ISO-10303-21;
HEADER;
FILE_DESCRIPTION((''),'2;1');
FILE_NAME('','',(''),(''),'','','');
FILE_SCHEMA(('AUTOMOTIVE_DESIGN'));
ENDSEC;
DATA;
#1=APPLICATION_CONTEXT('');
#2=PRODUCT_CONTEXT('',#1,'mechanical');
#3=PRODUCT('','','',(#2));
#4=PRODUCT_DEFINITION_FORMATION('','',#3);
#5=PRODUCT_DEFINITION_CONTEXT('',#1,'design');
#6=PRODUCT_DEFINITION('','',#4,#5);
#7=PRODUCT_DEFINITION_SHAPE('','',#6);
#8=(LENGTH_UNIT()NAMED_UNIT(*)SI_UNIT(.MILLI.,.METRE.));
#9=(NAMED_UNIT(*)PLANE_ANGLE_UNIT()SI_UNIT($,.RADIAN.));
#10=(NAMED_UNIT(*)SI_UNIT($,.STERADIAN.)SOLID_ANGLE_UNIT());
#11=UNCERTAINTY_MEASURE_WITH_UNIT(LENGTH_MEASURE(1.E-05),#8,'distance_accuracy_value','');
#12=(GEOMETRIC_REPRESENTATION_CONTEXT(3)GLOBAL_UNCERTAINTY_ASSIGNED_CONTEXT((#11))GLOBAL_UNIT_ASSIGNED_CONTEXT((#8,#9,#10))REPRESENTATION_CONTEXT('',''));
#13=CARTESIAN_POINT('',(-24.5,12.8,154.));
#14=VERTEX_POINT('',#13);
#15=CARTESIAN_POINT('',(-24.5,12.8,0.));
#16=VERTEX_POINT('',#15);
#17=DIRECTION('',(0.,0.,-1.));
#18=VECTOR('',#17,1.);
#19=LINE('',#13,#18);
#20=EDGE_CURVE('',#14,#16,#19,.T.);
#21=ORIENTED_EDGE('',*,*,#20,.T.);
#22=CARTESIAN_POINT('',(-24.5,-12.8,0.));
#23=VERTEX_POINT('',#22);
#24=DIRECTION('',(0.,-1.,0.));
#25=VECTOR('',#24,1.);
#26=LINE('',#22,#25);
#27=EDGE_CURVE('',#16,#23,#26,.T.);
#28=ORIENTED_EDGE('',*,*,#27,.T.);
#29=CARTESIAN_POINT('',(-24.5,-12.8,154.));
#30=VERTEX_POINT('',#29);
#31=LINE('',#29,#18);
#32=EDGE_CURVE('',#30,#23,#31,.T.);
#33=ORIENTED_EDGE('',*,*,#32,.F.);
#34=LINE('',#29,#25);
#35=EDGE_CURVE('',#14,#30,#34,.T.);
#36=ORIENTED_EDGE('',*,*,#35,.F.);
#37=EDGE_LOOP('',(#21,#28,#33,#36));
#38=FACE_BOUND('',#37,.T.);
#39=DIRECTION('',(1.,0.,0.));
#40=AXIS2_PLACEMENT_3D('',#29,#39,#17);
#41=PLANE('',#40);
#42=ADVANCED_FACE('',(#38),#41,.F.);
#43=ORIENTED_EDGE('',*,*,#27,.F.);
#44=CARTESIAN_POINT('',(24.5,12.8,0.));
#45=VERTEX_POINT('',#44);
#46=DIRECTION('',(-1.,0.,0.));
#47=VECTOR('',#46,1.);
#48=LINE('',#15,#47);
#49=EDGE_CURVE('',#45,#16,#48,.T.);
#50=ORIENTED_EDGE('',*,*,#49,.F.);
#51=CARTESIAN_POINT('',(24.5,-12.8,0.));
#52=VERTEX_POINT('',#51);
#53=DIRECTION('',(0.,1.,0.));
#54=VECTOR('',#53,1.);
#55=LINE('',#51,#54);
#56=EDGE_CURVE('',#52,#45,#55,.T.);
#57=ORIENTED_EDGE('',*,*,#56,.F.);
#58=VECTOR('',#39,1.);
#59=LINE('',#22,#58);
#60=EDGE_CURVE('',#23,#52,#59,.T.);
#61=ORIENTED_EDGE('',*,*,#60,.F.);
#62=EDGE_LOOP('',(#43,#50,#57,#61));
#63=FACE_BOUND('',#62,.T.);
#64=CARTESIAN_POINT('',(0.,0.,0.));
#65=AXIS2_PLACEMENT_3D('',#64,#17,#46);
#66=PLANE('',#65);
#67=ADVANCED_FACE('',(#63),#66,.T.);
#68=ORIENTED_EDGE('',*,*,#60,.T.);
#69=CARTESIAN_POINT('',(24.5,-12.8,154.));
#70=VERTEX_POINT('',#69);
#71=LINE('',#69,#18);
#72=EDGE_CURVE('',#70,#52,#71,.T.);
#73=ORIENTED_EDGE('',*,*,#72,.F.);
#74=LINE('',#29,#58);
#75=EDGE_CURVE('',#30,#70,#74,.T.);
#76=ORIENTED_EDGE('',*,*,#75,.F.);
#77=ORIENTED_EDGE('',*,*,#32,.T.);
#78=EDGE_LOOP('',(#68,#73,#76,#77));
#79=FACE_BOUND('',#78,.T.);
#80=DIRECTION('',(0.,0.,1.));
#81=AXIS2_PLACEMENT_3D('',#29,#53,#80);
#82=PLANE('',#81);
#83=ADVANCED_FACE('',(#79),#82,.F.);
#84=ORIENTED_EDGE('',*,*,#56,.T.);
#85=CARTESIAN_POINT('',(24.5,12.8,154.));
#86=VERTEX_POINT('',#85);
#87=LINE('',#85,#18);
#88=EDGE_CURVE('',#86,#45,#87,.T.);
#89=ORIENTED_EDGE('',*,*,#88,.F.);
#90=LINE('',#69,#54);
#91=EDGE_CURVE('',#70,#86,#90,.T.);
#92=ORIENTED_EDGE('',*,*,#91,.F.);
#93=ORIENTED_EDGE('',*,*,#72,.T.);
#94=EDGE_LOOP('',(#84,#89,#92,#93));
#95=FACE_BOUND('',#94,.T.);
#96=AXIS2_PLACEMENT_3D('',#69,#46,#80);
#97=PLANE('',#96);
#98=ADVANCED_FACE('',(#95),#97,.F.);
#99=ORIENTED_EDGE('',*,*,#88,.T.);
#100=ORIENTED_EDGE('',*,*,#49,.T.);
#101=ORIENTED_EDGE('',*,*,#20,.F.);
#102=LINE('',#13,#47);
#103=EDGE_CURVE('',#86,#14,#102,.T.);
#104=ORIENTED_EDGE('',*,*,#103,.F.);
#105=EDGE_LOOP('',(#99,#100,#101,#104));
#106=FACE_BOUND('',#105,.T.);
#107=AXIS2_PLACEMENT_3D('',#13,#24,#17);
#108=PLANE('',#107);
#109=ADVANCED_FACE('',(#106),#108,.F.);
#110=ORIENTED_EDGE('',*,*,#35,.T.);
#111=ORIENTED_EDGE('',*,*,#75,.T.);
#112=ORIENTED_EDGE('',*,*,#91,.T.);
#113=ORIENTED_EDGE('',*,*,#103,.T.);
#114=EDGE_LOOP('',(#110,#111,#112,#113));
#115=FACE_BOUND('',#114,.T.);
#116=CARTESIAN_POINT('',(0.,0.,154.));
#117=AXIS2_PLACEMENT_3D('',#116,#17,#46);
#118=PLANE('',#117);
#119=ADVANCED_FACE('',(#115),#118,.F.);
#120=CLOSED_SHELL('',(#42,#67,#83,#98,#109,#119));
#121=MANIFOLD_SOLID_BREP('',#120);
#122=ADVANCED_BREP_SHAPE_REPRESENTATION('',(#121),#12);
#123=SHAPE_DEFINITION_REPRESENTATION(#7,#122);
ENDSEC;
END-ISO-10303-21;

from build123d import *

# Parameters (mm, degrees)
SKETCH1_W           = 49
SKETCH1_H           = 25.6
BOSS_EXTRUDE1_DEPTH = 154


with BuildPart() as part:
    # Sketch1 → Boss-Extrude1 (new body)
    with BuildSketch(Plane.XY):
        Rectangle(SKETCH1_W, SKETCH1_H)
    extrude(amount=BOSS_EXTRUDE1_DEPTH)


solid = part.part
